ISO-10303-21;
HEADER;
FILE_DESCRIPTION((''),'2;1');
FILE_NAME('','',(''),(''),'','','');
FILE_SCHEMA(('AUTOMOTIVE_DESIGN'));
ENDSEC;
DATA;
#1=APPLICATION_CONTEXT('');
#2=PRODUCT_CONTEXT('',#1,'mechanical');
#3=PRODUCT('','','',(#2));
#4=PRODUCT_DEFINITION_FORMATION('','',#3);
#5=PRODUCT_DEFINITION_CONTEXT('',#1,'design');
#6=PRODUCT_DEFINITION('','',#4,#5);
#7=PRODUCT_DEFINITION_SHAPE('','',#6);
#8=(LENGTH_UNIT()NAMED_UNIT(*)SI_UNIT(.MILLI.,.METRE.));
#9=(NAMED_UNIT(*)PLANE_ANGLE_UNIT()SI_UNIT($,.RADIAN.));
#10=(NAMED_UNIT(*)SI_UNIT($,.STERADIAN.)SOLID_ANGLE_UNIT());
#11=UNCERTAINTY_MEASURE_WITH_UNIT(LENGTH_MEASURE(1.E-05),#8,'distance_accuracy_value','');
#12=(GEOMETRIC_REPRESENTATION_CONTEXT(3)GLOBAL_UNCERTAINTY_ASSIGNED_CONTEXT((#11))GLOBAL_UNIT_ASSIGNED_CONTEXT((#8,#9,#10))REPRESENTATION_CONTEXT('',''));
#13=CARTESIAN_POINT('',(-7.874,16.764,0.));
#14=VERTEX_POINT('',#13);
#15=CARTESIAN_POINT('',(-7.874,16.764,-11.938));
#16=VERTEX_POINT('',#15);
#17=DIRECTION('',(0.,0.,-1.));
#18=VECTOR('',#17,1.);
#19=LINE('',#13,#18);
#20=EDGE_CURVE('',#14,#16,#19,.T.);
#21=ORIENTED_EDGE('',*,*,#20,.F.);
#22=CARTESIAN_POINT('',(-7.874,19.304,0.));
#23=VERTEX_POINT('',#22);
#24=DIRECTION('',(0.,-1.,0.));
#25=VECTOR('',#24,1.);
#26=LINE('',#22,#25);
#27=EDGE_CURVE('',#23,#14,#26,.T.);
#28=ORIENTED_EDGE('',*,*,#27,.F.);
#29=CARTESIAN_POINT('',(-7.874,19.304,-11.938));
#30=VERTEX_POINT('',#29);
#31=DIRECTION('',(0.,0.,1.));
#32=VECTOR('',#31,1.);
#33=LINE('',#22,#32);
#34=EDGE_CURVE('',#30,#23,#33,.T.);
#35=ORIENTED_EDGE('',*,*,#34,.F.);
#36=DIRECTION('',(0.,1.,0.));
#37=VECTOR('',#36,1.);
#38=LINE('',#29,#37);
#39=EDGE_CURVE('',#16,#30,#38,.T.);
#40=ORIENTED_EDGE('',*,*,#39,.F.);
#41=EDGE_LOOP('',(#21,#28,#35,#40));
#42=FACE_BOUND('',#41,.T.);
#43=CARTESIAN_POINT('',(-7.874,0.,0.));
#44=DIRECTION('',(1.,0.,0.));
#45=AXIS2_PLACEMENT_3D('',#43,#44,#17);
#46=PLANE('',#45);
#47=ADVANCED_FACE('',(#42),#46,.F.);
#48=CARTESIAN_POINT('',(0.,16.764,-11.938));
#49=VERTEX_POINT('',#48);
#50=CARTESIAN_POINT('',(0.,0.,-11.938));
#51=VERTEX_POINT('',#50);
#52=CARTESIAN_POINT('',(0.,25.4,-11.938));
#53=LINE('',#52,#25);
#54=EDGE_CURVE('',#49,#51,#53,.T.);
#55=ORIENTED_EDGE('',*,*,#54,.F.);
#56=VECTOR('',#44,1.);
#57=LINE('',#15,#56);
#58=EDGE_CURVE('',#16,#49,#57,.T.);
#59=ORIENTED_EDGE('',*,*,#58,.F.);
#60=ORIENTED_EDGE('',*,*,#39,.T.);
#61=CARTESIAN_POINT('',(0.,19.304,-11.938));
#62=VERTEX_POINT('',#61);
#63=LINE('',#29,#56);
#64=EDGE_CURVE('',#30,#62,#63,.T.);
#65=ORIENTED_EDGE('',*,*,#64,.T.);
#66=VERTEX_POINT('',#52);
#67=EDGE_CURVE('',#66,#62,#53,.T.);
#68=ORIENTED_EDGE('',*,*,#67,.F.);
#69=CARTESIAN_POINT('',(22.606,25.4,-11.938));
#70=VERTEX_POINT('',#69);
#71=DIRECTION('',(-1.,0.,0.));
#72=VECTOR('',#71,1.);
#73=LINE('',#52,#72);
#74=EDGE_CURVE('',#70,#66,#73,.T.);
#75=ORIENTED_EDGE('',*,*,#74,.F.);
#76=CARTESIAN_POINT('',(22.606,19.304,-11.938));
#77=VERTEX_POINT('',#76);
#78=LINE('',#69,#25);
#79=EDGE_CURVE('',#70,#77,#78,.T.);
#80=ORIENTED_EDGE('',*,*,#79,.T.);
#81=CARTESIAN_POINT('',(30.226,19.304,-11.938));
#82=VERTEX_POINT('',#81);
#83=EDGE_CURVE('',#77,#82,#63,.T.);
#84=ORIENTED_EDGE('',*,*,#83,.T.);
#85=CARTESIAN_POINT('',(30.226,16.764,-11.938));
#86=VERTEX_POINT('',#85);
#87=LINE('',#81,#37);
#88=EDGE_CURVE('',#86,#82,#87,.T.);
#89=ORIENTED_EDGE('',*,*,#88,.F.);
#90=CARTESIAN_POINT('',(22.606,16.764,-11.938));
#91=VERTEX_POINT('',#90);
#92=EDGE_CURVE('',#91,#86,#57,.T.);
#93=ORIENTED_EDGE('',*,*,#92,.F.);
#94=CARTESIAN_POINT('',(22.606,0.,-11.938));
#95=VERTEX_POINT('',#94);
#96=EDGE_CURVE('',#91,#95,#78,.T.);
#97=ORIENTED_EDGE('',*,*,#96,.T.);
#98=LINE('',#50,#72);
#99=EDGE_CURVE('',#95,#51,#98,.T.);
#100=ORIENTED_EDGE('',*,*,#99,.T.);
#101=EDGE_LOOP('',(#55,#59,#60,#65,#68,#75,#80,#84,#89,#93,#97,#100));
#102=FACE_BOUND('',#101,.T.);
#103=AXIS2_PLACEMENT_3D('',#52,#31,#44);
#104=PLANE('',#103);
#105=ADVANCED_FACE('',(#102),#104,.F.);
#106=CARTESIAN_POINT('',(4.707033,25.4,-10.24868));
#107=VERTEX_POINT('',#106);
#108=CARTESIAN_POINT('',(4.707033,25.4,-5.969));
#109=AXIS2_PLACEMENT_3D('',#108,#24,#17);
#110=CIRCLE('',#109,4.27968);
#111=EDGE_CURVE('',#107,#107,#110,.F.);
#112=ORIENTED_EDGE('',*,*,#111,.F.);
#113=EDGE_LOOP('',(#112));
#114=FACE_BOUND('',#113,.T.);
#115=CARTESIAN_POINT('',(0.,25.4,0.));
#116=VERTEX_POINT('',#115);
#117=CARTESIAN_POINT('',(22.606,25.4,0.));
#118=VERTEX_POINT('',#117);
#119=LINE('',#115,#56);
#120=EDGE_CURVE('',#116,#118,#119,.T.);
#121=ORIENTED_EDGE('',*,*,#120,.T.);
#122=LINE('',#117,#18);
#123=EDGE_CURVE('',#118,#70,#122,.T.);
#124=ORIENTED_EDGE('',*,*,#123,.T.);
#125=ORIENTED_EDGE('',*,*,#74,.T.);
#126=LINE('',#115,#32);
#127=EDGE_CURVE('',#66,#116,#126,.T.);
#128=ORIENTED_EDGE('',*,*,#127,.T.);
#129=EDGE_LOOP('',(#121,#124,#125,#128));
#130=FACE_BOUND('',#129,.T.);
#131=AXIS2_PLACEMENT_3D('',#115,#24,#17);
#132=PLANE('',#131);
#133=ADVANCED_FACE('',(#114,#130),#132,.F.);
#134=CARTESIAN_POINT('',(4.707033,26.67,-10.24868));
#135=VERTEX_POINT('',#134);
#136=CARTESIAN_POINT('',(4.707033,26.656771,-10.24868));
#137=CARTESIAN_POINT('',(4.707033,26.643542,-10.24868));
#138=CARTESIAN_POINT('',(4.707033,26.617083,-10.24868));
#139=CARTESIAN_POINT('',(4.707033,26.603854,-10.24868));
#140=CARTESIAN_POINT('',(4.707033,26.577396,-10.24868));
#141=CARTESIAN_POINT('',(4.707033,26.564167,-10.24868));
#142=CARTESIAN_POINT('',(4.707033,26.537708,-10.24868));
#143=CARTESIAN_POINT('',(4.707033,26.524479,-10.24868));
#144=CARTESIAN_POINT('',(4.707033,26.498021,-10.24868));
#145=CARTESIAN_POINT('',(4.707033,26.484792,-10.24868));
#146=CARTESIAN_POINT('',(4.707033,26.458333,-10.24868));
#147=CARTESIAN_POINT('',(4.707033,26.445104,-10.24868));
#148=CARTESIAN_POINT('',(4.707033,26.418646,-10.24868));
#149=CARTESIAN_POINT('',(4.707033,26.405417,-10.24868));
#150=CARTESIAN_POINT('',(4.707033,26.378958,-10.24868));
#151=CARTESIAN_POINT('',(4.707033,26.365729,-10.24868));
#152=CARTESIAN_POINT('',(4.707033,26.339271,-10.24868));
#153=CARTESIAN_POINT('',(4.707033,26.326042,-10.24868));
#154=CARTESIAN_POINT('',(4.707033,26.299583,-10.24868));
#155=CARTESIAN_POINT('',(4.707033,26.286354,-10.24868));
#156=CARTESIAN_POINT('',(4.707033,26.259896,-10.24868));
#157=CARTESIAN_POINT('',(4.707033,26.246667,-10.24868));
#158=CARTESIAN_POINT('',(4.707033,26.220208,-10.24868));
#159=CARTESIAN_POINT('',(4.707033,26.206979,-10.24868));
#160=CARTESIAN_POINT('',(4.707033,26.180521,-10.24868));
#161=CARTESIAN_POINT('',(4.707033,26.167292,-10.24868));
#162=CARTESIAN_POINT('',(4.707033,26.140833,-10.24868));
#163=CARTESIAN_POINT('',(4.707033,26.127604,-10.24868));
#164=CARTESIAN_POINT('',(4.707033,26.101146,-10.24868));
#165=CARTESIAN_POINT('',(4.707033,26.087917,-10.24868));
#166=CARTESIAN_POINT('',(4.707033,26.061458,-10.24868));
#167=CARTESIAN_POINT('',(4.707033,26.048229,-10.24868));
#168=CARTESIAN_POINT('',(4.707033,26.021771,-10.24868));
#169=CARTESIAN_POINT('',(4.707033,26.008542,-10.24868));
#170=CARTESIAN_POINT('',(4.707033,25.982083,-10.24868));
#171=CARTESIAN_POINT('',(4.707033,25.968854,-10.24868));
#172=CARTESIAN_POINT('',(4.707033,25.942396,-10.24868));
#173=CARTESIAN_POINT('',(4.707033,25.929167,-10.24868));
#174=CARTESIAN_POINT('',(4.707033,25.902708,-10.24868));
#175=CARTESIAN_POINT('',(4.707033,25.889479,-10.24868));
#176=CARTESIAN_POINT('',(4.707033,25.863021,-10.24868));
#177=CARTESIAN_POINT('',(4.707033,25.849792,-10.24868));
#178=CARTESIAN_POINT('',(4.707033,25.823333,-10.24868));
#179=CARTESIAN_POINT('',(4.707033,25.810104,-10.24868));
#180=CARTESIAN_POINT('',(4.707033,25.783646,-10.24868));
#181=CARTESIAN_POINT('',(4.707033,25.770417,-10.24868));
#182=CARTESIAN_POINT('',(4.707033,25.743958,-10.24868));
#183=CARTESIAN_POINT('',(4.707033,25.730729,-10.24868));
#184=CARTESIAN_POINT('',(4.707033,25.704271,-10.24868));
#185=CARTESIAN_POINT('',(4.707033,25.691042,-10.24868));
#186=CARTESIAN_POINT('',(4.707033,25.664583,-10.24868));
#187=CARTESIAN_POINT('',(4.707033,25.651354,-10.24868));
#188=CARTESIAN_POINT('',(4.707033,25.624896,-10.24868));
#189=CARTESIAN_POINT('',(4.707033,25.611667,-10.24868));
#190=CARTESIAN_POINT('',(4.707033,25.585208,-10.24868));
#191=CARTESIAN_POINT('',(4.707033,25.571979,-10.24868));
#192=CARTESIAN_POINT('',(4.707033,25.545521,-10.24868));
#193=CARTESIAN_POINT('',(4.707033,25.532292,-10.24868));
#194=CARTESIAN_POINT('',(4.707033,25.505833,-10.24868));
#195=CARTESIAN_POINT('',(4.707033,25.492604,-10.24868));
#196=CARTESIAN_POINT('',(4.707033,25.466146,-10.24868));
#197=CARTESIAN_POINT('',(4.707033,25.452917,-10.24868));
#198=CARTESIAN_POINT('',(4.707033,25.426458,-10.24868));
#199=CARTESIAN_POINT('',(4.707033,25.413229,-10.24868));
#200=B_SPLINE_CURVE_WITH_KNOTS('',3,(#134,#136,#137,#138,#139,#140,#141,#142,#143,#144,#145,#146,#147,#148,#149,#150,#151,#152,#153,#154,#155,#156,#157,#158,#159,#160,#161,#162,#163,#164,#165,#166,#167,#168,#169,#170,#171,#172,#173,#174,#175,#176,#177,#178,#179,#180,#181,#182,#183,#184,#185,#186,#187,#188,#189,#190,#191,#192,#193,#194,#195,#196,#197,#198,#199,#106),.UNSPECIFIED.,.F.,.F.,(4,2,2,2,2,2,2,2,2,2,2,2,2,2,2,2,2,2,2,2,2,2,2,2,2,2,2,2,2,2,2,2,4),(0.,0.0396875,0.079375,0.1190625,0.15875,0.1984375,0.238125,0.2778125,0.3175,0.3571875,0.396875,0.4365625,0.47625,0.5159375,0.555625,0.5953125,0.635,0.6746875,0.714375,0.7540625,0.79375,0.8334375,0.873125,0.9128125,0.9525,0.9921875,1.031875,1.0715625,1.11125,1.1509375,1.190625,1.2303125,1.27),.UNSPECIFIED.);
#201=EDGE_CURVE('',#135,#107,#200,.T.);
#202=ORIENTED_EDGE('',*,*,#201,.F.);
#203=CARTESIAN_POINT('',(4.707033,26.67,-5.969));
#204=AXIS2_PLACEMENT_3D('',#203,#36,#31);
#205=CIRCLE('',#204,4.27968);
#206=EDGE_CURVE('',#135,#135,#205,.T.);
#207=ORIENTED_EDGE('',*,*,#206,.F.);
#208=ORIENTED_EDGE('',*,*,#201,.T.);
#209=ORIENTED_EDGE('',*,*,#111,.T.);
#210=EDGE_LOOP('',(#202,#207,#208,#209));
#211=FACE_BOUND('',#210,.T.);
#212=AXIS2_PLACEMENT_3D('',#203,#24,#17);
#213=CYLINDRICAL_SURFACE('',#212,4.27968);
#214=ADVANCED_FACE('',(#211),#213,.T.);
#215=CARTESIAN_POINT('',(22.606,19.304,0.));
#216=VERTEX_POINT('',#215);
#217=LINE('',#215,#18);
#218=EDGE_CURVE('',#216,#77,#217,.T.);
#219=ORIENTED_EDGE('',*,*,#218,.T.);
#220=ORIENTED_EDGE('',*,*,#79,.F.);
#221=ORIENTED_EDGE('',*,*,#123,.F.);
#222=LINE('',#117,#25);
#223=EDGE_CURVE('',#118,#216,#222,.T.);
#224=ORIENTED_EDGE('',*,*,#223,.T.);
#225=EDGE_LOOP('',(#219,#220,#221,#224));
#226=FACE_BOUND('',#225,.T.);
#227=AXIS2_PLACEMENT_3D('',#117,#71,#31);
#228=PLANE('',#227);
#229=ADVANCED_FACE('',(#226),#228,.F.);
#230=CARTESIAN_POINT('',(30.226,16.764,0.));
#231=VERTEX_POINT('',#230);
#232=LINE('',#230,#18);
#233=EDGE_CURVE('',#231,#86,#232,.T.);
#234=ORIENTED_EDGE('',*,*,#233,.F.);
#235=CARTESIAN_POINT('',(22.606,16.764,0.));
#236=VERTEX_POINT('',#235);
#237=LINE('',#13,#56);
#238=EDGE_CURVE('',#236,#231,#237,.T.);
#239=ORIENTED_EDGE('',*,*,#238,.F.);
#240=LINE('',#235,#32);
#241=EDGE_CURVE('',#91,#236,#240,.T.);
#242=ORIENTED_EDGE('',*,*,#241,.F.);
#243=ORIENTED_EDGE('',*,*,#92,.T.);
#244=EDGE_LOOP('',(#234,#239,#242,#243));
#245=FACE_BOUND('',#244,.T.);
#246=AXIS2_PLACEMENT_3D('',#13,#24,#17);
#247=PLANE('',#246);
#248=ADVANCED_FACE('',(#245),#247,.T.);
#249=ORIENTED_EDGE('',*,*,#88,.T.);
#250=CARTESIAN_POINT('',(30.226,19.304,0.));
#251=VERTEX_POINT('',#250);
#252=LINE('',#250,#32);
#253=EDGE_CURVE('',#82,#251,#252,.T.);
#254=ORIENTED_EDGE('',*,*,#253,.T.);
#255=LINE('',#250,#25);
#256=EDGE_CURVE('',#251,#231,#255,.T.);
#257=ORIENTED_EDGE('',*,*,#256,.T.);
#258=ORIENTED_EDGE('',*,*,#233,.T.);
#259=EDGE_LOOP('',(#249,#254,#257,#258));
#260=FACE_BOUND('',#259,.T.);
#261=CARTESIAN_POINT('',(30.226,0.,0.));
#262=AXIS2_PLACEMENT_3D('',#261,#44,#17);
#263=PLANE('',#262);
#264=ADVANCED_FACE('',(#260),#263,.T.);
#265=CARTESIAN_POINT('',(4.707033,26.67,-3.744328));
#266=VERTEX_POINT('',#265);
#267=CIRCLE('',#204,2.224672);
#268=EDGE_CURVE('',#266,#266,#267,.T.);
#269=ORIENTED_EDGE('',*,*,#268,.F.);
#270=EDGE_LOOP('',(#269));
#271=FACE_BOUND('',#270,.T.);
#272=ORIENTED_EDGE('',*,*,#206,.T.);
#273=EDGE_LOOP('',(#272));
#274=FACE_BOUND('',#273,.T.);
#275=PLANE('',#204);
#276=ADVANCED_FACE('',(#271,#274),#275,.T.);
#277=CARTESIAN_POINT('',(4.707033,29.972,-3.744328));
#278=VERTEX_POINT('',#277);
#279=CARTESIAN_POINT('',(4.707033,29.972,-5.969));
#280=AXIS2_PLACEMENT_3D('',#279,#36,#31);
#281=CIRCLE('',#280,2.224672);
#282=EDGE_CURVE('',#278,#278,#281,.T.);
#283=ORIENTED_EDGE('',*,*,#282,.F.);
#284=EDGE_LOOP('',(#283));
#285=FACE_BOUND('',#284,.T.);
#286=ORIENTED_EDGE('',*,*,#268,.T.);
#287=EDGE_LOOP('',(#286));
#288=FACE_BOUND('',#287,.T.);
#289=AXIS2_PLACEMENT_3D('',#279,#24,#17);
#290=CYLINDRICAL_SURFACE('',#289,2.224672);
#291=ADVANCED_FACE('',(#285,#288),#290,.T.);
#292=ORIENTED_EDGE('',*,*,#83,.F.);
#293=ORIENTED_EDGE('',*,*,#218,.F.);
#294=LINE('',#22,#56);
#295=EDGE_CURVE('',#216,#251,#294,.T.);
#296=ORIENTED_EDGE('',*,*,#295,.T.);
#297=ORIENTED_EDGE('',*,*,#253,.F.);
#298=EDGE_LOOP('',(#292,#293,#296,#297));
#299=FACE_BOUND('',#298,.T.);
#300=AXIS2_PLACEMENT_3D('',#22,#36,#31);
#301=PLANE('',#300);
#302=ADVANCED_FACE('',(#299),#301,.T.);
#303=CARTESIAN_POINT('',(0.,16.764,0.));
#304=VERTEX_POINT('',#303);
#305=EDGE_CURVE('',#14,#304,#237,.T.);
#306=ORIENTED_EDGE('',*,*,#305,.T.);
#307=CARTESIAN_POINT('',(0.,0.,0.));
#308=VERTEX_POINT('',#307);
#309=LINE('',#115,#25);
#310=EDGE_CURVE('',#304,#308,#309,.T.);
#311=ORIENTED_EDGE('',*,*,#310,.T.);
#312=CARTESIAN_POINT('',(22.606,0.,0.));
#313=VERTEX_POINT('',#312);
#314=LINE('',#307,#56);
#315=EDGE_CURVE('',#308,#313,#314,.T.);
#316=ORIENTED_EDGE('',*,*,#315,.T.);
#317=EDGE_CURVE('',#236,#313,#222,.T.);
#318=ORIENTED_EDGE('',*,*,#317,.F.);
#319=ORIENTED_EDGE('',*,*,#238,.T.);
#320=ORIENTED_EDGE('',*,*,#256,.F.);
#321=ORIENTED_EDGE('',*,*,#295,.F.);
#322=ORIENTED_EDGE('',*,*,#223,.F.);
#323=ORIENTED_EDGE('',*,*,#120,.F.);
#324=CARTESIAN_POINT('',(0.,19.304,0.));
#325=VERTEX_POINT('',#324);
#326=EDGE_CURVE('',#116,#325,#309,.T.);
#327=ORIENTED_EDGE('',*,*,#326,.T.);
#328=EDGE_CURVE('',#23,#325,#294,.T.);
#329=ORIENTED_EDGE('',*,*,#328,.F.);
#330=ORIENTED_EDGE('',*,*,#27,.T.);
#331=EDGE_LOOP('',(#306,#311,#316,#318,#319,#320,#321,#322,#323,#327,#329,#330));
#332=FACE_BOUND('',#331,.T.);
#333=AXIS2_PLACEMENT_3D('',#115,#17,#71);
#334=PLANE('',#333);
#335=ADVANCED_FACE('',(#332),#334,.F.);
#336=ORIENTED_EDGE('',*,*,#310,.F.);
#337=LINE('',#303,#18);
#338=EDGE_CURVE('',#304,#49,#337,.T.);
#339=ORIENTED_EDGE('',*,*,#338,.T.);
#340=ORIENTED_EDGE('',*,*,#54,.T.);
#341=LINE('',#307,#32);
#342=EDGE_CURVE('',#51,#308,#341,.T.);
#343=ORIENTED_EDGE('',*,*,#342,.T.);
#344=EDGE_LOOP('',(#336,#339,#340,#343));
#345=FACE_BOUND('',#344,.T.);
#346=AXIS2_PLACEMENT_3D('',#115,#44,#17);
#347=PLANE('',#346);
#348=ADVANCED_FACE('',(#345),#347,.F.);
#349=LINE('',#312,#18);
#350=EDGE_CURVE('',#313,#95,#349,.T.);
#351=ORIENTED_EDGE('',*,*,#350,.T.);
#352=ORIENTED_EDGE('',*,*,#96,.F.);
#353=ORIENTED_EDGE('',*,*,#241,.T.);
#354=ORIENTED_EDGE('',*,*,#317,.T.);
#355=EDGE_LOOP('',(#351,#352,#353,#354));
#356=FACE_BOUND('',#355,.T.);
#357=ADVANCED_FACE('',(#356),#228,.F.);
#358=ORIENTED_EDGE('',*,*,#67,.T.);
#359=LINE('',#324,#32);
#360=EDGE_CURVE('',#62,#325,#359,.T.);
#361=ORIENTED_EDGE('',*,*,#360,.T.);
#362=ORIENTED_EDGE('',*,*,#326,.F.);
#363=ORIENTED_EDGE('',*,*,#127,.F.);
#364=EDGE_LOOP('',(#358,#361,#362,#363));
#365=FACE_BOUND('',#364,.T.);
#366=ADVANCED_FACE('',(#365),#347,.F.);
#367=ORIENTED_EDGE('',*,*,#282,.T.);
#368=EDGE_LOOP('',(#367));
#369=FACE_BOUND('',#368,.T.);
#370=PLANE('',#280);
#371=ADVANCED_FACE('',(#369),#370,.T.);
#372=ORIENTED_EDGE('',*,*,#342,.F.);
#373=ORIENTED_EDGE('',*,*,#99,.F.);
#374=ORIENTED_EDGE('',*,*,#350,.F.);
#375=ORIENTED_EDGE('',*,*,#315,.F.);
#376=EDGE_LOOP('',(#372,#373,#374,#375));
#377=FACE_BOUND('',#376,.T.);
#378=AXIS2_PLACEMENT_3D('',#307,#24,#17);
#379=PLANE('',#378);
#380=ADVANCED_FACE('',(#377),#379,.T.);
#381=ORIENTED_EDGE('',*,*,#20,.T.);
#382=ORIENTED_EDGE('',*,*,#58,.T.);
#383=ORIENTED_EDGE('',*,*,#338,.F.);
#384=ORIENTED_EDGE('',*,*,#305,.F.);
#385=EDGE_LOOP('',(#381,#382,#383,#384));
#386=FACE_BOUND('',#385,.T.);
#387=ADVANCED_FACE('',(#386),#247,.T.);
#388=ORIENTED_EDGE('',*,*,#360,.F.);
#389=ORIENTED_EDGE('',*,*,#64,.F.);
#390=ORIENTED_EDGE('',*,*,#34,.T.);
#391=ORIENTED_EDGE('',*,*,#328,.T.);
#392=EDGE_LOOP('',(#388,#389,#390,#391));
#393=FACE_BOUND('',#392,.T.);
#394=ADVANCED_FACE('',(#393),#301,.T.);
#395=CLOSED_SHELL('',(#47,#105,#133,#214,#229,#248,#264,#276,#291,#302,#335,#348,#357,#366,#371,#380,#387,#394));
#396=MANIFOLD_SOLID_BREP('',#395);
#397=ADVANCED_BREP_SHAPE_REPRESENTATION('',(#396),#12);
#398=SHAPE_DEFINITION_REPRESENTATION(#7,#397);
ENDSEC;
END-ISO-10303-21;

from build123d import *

# Parameters (mm, degrees)
SKETCH1_W                = 22.606
SKETCH1_H                = 11.938
BOSS_EXTRUDE1_DEPTH      = 25.4
SKETCH2_R                = 2.224672202
BOSS_EXTRUDE2_DEPTH      = 4.572
SKETCH3_R                = 4.279679958
BOSS_EXTRUDE3_DEPTH      = 1.27
BOSS_EXTRUDE4_DEPTH      = 7.62
BOSS_EXTRUDE4_DEPTH_BACK = 30.48
SKETCH4_W                = 11.938
SKETCH4_H                = 2.54


with BuildPart() as part:
    # Sketch1 → Boss-Extrude1 (new body)
    with BuildSketch(Plane(origin=(0, 0, 0), x_dir=(1, 0, 0), z_dir=(0, 1, 0))):
        with Locations((11.303, 5.969)):
            Rectangle(SKETCH1_W, SKETCH1_H)
    extrude(amount=BOSS_EXTRUDE1_DEPTH)

    # Sketch2 → Boss-Extrude2 (add)
    with BuildSketch(Plane(origin=(0, 25.4, 0), x_dir=(1, 0, 0), z_dir=(0, 1, 0))):
        with Locations(Location((4.707032939, 5.969, 0), (0, 0, 90))):
            Circle(SKETCH2_R)
    extrude(amount=BOSS_EXTRUDE2_DEPTH)

    # Sketch3 → Boss-Extrude3 (add)
    with BuildSketch(Plane(origin=(0, 25.4, 0), x_dir=(1, 0, 0), z_dir=(0, 1, 0))):
        with Locations(Location((4.707032939, 5.969, 0), (0, 0, 90))):
            Circle(SKETCH3_R)
    extrude(amount=BOSS_EXTRUDE3_DEPTH)

    # Sketch4 → Boss-Extrude4 (add, two sides: drawn at the far end of the back side and taken through both)
    with BuildSketch(Plane(origin=(22.606, 0, 0), x_dir=(0, 0, -1), z_dir=(1, 0, 0)).offset(-BOSS_EXTRUDE4_DEPTH_BACK)):
        with Locations((5.969, 18.034)):
            Rectangle(SKETCH4_W, SKETCH4_H)
    extrude(amount=BOSS_EXTRUDE4_DEPTH + BOSS_EXTRUDE4_DEPTH_BACK)


solid = part.part
